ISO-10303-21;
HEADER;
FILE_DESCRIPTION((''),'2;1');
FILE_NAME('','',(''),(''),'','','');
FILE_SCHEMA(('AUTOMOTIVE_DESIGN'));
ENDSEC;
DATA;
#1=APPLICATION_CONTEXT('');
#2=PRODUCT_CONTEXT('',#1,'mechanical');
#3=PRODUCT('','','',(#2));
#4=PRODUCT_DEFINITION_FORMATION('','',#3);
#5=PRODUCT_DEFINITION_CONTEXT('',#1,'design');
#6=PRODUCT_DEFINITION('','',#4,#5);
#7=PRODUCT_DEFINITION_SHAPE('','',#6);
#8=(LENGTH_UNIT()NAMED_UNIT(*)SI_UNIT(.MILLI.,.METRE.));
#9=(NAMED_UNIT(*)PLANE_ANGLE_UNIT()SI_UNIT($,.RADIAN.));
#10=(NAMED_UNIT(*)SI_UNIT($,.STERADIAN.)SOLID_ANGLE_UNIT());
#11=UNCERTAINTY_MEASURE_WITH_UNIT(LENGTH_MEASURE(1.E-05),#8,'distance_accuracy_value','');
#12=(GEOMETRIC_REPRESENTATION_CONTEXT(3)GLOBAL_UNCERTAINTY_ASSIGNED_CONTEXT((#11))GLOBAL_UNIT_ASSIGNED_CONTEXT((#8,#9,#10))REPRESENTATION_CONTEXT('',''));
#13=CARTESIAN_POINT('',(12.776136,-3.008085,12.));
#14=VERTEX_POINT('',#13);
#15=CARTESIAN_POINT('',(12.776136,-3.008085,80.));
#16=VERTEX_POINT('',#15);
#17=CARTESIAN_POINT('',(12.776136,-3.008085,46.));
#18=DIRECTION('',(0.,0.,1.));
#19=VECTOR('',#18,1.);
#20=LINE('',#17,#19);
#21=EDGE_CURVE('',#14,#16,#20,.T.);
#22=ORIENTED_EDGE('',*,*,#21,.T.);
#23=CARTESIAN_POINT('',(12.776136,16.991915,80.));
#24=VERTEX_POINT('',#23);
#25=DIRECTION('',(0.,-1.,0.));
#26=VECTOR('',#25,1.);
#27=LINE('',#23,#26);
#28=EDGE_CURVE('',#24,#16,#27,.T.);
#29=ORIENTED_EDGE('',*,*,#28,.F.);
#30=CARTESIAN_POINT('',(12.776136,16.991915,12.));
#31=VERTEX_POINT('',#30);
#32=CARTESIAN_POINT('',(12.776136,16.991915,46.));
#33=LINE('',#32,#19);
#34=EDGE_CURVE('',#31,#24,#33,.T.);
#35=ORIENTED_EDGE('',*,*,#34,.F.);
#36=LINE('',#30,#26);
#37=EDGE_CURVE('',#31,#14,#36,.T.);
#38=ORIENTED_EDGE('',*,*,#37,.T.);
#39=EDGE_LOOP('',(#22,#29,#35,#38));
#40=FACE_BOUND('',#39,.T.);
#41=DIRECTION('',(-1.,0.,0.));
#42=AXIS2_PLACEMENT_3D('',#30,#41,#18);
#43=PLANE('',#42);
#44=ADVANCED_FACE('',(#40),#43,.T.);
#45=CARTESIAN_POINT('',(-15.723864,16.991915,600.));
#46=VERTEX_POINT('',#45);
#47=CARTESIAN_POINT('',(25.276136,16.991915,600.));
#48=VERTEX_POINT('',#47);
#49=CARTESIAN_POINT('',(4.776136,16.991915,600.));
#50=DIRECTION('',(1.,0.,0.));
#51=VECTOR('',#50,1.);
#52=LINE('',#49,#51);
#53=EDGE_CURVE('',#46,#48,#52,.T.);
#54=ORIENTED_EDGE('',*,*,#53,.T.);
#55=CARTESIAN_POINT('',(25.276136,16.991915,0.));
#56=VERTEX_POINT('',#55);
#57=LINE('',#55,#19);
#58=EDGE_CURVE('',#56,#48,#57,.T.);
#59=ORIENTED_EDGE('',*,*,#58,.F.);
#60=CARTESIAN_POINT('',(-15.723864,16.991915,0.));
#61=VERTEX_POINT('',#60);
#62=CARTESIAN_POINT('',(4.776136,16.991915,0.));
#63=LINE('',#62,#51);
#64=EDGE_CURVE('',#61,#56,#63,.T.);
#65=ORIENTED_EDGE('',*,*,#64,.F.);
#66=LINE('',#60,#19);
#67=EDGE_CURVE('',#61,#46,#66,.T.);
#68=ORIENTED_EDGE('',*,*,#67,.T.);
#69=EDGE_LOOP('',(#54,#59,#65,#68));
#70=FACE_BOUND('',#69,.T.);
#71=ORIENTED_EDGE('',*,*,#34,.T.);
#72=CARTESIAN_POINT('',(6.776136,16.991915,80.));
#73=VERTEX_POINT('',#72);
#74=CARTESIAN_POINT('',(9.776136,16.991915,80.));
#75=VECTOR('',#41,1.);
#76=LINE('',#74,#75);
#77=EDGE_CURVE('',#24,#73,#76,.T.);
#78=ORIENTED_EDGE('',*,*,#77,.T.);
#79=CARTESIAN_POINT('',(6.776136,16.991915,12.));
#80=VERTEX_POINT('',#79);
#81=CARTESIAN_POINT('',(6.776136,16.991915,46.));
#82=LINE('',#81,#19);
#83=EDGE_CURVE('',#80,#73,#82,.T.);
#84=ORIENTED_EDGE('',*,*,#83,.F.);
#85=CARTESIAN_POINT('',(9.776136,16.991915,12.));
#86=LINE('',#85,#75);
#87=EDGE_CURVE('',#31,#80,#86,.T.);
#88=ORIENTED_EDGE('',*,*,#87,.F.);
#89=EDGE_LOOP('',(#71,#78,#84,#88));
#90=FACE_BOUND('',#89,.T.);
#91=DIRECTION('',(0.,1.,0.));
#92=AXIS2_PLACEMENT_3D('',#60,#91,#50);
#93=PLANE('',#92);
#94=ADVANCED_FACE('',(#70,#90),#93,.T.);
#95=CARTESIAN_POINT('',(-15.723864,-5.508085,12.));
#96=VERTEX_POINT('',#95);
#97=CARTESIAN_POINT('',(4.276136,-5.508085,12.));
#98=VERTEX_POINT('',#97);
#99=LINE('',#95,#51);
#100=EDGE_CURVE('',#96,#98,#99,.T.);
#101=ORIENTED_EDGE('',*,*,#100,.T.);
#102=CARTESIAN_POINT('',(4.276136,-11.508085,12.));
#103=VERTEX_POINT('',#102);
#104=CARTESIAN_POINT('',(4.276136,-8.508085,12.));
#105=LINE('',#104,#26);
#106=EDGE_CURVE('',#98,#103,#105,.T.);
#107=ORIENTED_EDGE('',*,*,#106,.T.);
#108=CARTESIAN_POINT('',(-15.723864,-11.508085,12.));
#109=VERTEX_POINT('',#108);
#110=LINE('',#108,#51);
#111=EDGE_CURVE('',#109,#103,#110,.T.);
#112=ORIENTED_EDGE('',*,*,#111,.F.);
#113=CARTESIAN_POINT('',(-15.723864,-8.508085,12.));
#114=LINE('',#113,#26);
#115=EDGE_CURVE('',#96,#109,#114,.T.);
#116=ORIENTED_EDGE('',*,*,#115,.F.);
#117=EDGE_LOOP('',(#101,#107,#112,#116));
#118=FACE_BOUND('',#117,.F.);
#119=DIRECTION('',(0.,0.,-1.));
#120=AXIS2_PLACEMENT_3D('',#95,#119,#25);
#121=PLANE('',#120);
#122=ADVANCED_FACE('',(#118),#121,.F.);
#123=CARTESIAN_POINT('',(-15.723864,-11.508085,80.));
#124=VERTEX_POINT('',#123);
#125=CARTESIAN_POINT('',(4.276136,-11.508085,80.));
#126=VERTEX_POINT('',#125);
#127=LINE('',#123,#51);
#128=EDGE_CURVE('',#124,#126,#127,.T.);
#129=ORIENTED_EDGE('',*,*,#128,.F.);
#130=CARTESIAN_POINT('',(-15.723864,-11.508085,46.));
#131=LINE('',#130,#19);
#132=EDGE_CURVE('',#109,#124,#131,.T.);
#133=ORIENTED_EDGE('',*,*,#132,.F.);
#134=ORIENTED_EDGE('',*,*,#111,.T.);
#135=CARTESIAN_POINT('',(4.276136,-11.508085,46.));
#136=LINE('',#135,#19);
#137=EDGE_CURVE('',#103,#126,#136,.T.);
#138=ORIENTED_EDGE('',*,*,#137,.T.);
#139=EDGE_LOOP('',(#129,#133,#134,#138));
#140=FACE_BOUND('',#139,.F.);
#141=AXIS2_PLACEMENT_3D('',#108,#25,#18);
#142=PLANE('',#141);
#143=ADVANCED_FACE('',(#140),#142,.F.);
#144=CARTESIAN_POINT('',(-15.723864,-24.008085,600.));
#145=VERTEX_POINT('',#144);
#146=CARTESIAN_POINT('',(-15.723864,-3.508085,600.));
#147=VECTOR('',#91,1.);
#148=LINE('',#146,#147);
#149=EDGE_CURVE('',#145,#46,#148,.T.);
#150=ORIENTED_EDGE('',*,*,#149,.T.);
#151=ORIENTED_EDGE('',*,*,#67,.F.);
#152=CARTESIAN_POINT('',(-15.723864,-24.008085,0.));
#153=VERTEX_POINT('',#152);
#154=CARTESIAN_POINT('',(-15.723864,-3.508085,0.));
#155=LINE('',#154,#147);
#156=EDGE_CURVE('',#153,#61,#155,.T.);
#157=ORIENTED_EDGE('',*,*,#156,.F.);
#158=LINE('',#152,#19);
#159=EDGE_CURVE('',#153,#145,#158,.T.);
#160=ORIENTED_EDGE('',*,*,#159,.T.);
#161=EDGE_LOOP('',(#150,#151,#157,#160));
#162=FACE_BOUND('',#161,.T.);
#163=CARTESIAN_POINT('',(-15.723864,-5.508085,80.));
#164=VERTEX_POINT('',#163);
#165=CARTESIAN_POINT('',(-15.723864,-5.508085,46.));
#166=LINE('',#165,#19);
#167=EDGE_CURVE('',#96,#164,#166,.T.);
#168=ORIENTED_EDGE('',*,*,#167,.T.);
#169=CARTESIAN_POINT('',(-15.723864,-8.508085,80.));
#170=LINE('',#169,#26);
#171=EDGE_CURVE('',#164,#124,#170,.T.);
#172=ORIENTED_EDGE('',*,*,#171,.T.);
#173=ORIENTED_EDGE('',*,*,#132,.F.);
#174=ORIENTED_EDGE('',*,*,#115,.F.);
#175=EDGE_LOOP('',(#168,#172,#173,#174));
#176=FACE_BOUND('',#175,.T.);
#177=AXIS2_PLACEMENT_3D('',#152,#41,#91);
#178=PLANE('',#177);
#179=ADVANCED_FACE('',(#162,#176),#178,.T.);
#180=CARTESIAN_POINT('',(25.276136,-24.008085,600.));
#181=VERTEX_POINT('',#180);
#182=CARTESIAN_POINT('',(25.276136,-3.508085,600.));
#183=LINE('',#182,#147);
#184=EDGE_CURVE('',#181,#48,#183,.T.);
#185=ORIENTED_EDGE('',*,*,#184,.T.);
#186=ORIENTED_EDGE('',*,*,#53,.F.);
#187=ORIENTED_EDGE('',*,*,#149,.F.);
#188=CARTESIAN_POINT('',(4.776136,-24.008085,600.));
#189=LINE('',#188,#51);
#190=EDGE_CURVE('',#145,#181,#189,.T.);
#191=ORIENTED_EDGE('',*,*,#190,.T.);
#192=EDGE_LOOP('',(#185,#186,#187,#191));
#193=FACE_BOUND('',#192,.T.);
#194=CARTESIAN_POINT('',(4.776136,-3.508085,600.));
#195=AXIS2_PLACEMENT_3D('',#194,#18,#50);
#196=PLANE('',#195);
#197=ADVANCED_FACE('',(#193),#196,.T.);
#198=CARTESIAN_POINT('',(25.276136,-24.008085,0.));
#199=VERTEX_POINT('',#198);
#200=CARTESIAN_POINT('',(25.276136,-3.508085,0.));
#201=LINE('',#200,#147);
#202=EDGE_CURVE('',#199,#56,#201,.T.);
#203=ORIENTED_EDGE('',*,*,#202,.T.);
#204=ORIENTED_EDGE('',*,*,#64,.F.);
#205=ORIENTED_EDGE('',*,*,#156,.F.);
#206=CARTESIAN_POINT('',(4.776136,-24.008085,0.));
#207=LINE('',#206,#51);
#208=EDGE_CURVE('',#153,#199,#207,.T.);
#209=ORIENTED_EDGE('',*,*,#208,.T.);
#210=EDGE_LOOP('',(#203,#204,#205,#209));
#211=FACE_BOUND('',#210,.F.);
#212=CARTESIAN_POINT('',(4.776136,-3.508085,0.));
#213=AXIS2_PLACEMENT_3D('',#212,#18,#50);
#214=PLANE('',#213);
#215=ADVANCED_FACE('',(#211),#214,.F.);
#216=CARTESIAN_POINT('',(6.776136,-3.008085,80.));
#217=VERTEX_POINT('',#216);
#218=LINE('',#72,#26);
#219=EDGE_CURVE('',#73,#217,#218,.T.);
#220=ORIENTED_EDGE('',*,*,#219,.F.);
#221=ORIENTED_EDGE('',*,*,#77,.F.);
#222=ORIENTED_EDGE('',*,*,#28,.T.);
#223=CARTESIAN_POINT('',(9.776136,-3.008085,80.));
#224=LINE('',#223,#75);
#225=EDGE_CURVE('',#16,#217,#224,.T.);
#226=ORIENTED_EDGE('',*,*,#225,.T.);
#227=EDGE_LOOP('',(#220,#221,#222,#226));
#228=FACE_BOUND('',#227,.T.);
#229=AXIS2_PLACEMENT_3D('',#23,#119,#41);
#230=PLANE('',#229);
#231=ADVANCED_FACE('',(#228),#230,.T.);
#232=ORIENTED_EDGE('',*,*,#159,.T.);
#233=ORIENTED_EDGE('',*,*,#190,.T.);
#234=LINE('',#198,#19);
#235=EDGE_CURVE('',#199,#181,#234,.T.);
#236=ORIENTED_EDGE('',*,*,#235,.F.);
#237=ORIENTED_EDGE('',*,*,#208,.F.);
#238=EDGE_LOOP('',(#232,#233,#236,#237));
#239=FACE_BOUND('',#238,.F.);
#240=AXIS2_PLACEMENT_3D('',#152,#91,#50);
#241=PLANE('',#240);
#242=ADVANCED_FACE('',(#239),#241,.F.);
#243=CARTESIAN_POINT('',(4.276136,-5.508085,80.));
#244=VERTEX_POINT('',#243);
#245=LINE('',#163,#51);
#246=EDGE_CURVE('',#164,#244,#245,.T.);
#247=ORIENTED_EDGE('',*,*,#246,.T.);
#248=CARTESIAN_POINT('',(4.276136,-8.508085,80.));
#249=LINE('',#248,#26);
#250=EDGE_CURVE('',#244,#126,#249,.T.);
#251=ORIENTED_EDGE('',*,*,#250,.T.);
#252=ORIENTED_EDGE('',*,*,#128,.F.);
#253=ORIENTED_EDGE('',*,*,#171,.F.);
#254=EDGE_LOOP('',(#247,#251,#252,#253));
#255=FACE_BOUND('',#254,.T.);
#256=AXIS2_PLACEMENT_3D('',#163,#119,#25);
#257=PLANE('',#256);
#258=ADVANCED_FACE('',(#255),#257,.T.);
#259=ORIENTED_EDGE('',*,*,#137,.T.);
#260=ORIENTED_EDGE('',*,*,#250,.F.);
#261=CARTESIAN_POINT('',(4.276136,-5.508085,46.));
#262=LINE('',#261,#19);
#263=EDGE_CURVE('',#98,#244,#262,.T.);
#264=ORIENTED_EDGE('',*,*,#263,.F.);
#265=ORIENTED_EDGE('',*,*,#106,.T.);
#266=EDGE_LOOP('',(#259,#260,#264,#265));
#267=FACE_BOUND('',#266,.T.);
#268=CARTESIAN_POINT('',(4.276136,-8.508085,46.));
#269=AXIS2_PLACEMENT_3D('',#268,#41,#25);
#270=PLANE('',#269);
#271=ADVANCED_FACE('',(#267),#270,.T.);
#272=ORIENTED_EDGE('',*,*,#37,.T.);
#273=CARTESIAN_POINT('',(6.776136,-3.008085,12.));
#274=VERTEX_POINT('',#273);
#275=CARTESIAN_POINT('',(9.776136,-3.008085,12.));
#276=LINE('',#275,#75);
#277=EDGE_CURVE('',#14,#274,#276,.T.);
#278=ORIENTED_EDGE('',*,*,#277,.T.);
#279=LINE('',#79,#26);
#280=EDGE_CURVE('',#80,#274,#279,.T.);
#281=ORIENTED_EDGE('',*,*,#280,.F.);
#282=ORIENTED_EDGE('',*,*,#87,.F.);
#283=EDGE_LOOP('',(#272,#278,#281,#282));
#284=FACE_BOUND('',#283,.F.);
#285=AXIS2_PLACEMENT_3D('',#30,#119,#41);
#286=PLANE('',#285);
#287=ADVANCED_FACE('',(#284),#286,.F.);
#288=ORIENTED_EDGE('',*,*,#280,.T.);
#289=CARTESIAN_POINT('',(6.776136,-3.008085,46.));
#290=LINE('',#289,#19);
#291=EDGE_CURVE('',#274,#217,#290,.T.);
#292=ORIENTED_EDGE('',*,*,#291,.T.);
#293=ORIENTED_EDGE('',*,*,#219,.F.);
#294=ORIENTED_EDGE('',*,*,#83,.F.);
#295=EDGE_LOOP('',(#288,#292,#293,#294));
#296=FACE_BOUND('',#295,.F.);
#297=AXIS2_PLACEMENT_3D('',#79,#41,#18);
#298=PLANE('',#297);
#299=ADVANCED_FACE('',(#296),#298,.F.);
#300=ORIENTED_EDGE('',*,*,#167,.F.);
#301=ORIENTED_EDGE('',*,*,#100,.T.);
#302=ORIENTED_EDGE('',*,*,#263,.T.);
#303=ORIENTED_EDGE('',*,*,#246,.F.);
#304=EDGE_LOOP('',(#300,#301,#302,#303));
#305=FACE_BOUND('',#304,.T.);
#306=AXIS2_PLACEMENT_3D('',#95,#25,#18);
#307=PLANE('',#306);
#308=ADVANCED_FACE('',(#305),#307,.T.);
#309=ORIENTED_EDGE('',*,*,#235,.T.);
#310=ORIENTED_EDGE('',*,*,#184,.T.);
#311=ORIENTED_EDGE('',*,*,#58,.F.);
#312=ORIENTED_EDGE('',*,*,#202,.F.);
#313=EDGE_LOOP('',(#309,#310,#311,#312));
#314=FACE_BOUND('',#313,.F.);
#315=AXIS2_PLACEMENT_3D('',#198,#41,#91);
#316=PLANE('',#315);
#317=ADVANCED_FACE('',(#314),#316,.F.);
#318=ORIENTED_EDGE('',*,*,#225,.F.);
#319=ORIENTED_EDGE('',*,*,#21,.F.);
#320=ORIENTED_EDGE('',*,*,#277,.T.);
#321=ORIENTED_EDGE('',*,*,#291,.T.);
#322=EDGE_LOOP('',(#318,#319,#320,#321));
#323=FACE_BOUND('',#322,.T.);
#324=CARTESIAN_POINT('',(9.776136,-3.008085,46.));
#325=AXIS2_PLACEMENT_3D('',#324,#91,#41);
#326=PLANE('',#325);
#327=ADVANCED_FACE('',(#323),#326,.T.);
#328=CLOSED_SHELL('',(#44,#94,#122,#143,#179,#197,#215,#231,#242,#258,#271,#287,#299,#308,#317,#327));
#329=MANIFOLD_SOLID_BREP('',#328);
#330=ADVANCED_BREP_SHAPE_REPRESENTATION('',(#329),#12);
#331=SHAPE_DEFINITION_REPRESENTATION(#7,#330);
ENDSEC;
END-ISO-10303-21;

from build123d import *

# Parameters (mm, degrees)
F0_W     = 41
F0_H     = 41
F1_DEPTH = 600
F2_W     = 6
F2_H     = 68
F3_DEPTH = 20
F4_W     = 6
F4_H     = 68
F5_DEPTH = 20


with BuildPart() as f1:
    # F0 (on Top) → F1 (new body)
    with BuildSketch(Plane.XY):
        with Locations((4.776136, -3.508085)):
            Rectangle(F0_W, F0_H)
    extrude(amount=F1_DEPTH)

    # F2 (on face) → F3 (cut)
    with BuildSketch(Plane(origin=(-15.723864, 0, 0), x_dir=(0, -1, 0), z_dir=(-1, 0, 0))):
        with Locations((8.508085, 46)):
            Rectangle(F2_W, F2_H)
    extrude(amount=-F3_DEPTH, mode=Mode.SUBTRACT)

    # F4 (on face) → F5 (cut)
    with BuildSketch(Plane(origin=(0, 16.991915, 0), x_dir=(-1, 0, 0), z_dir=(0, 1, 0))):
        with Locations((-9.776136, 46)):
            Rectangle(F4_W, F4_H)
    extrude(amount=-F5_DEPTH, mode=Mode.SUBTRACT)


solid = f1.part
